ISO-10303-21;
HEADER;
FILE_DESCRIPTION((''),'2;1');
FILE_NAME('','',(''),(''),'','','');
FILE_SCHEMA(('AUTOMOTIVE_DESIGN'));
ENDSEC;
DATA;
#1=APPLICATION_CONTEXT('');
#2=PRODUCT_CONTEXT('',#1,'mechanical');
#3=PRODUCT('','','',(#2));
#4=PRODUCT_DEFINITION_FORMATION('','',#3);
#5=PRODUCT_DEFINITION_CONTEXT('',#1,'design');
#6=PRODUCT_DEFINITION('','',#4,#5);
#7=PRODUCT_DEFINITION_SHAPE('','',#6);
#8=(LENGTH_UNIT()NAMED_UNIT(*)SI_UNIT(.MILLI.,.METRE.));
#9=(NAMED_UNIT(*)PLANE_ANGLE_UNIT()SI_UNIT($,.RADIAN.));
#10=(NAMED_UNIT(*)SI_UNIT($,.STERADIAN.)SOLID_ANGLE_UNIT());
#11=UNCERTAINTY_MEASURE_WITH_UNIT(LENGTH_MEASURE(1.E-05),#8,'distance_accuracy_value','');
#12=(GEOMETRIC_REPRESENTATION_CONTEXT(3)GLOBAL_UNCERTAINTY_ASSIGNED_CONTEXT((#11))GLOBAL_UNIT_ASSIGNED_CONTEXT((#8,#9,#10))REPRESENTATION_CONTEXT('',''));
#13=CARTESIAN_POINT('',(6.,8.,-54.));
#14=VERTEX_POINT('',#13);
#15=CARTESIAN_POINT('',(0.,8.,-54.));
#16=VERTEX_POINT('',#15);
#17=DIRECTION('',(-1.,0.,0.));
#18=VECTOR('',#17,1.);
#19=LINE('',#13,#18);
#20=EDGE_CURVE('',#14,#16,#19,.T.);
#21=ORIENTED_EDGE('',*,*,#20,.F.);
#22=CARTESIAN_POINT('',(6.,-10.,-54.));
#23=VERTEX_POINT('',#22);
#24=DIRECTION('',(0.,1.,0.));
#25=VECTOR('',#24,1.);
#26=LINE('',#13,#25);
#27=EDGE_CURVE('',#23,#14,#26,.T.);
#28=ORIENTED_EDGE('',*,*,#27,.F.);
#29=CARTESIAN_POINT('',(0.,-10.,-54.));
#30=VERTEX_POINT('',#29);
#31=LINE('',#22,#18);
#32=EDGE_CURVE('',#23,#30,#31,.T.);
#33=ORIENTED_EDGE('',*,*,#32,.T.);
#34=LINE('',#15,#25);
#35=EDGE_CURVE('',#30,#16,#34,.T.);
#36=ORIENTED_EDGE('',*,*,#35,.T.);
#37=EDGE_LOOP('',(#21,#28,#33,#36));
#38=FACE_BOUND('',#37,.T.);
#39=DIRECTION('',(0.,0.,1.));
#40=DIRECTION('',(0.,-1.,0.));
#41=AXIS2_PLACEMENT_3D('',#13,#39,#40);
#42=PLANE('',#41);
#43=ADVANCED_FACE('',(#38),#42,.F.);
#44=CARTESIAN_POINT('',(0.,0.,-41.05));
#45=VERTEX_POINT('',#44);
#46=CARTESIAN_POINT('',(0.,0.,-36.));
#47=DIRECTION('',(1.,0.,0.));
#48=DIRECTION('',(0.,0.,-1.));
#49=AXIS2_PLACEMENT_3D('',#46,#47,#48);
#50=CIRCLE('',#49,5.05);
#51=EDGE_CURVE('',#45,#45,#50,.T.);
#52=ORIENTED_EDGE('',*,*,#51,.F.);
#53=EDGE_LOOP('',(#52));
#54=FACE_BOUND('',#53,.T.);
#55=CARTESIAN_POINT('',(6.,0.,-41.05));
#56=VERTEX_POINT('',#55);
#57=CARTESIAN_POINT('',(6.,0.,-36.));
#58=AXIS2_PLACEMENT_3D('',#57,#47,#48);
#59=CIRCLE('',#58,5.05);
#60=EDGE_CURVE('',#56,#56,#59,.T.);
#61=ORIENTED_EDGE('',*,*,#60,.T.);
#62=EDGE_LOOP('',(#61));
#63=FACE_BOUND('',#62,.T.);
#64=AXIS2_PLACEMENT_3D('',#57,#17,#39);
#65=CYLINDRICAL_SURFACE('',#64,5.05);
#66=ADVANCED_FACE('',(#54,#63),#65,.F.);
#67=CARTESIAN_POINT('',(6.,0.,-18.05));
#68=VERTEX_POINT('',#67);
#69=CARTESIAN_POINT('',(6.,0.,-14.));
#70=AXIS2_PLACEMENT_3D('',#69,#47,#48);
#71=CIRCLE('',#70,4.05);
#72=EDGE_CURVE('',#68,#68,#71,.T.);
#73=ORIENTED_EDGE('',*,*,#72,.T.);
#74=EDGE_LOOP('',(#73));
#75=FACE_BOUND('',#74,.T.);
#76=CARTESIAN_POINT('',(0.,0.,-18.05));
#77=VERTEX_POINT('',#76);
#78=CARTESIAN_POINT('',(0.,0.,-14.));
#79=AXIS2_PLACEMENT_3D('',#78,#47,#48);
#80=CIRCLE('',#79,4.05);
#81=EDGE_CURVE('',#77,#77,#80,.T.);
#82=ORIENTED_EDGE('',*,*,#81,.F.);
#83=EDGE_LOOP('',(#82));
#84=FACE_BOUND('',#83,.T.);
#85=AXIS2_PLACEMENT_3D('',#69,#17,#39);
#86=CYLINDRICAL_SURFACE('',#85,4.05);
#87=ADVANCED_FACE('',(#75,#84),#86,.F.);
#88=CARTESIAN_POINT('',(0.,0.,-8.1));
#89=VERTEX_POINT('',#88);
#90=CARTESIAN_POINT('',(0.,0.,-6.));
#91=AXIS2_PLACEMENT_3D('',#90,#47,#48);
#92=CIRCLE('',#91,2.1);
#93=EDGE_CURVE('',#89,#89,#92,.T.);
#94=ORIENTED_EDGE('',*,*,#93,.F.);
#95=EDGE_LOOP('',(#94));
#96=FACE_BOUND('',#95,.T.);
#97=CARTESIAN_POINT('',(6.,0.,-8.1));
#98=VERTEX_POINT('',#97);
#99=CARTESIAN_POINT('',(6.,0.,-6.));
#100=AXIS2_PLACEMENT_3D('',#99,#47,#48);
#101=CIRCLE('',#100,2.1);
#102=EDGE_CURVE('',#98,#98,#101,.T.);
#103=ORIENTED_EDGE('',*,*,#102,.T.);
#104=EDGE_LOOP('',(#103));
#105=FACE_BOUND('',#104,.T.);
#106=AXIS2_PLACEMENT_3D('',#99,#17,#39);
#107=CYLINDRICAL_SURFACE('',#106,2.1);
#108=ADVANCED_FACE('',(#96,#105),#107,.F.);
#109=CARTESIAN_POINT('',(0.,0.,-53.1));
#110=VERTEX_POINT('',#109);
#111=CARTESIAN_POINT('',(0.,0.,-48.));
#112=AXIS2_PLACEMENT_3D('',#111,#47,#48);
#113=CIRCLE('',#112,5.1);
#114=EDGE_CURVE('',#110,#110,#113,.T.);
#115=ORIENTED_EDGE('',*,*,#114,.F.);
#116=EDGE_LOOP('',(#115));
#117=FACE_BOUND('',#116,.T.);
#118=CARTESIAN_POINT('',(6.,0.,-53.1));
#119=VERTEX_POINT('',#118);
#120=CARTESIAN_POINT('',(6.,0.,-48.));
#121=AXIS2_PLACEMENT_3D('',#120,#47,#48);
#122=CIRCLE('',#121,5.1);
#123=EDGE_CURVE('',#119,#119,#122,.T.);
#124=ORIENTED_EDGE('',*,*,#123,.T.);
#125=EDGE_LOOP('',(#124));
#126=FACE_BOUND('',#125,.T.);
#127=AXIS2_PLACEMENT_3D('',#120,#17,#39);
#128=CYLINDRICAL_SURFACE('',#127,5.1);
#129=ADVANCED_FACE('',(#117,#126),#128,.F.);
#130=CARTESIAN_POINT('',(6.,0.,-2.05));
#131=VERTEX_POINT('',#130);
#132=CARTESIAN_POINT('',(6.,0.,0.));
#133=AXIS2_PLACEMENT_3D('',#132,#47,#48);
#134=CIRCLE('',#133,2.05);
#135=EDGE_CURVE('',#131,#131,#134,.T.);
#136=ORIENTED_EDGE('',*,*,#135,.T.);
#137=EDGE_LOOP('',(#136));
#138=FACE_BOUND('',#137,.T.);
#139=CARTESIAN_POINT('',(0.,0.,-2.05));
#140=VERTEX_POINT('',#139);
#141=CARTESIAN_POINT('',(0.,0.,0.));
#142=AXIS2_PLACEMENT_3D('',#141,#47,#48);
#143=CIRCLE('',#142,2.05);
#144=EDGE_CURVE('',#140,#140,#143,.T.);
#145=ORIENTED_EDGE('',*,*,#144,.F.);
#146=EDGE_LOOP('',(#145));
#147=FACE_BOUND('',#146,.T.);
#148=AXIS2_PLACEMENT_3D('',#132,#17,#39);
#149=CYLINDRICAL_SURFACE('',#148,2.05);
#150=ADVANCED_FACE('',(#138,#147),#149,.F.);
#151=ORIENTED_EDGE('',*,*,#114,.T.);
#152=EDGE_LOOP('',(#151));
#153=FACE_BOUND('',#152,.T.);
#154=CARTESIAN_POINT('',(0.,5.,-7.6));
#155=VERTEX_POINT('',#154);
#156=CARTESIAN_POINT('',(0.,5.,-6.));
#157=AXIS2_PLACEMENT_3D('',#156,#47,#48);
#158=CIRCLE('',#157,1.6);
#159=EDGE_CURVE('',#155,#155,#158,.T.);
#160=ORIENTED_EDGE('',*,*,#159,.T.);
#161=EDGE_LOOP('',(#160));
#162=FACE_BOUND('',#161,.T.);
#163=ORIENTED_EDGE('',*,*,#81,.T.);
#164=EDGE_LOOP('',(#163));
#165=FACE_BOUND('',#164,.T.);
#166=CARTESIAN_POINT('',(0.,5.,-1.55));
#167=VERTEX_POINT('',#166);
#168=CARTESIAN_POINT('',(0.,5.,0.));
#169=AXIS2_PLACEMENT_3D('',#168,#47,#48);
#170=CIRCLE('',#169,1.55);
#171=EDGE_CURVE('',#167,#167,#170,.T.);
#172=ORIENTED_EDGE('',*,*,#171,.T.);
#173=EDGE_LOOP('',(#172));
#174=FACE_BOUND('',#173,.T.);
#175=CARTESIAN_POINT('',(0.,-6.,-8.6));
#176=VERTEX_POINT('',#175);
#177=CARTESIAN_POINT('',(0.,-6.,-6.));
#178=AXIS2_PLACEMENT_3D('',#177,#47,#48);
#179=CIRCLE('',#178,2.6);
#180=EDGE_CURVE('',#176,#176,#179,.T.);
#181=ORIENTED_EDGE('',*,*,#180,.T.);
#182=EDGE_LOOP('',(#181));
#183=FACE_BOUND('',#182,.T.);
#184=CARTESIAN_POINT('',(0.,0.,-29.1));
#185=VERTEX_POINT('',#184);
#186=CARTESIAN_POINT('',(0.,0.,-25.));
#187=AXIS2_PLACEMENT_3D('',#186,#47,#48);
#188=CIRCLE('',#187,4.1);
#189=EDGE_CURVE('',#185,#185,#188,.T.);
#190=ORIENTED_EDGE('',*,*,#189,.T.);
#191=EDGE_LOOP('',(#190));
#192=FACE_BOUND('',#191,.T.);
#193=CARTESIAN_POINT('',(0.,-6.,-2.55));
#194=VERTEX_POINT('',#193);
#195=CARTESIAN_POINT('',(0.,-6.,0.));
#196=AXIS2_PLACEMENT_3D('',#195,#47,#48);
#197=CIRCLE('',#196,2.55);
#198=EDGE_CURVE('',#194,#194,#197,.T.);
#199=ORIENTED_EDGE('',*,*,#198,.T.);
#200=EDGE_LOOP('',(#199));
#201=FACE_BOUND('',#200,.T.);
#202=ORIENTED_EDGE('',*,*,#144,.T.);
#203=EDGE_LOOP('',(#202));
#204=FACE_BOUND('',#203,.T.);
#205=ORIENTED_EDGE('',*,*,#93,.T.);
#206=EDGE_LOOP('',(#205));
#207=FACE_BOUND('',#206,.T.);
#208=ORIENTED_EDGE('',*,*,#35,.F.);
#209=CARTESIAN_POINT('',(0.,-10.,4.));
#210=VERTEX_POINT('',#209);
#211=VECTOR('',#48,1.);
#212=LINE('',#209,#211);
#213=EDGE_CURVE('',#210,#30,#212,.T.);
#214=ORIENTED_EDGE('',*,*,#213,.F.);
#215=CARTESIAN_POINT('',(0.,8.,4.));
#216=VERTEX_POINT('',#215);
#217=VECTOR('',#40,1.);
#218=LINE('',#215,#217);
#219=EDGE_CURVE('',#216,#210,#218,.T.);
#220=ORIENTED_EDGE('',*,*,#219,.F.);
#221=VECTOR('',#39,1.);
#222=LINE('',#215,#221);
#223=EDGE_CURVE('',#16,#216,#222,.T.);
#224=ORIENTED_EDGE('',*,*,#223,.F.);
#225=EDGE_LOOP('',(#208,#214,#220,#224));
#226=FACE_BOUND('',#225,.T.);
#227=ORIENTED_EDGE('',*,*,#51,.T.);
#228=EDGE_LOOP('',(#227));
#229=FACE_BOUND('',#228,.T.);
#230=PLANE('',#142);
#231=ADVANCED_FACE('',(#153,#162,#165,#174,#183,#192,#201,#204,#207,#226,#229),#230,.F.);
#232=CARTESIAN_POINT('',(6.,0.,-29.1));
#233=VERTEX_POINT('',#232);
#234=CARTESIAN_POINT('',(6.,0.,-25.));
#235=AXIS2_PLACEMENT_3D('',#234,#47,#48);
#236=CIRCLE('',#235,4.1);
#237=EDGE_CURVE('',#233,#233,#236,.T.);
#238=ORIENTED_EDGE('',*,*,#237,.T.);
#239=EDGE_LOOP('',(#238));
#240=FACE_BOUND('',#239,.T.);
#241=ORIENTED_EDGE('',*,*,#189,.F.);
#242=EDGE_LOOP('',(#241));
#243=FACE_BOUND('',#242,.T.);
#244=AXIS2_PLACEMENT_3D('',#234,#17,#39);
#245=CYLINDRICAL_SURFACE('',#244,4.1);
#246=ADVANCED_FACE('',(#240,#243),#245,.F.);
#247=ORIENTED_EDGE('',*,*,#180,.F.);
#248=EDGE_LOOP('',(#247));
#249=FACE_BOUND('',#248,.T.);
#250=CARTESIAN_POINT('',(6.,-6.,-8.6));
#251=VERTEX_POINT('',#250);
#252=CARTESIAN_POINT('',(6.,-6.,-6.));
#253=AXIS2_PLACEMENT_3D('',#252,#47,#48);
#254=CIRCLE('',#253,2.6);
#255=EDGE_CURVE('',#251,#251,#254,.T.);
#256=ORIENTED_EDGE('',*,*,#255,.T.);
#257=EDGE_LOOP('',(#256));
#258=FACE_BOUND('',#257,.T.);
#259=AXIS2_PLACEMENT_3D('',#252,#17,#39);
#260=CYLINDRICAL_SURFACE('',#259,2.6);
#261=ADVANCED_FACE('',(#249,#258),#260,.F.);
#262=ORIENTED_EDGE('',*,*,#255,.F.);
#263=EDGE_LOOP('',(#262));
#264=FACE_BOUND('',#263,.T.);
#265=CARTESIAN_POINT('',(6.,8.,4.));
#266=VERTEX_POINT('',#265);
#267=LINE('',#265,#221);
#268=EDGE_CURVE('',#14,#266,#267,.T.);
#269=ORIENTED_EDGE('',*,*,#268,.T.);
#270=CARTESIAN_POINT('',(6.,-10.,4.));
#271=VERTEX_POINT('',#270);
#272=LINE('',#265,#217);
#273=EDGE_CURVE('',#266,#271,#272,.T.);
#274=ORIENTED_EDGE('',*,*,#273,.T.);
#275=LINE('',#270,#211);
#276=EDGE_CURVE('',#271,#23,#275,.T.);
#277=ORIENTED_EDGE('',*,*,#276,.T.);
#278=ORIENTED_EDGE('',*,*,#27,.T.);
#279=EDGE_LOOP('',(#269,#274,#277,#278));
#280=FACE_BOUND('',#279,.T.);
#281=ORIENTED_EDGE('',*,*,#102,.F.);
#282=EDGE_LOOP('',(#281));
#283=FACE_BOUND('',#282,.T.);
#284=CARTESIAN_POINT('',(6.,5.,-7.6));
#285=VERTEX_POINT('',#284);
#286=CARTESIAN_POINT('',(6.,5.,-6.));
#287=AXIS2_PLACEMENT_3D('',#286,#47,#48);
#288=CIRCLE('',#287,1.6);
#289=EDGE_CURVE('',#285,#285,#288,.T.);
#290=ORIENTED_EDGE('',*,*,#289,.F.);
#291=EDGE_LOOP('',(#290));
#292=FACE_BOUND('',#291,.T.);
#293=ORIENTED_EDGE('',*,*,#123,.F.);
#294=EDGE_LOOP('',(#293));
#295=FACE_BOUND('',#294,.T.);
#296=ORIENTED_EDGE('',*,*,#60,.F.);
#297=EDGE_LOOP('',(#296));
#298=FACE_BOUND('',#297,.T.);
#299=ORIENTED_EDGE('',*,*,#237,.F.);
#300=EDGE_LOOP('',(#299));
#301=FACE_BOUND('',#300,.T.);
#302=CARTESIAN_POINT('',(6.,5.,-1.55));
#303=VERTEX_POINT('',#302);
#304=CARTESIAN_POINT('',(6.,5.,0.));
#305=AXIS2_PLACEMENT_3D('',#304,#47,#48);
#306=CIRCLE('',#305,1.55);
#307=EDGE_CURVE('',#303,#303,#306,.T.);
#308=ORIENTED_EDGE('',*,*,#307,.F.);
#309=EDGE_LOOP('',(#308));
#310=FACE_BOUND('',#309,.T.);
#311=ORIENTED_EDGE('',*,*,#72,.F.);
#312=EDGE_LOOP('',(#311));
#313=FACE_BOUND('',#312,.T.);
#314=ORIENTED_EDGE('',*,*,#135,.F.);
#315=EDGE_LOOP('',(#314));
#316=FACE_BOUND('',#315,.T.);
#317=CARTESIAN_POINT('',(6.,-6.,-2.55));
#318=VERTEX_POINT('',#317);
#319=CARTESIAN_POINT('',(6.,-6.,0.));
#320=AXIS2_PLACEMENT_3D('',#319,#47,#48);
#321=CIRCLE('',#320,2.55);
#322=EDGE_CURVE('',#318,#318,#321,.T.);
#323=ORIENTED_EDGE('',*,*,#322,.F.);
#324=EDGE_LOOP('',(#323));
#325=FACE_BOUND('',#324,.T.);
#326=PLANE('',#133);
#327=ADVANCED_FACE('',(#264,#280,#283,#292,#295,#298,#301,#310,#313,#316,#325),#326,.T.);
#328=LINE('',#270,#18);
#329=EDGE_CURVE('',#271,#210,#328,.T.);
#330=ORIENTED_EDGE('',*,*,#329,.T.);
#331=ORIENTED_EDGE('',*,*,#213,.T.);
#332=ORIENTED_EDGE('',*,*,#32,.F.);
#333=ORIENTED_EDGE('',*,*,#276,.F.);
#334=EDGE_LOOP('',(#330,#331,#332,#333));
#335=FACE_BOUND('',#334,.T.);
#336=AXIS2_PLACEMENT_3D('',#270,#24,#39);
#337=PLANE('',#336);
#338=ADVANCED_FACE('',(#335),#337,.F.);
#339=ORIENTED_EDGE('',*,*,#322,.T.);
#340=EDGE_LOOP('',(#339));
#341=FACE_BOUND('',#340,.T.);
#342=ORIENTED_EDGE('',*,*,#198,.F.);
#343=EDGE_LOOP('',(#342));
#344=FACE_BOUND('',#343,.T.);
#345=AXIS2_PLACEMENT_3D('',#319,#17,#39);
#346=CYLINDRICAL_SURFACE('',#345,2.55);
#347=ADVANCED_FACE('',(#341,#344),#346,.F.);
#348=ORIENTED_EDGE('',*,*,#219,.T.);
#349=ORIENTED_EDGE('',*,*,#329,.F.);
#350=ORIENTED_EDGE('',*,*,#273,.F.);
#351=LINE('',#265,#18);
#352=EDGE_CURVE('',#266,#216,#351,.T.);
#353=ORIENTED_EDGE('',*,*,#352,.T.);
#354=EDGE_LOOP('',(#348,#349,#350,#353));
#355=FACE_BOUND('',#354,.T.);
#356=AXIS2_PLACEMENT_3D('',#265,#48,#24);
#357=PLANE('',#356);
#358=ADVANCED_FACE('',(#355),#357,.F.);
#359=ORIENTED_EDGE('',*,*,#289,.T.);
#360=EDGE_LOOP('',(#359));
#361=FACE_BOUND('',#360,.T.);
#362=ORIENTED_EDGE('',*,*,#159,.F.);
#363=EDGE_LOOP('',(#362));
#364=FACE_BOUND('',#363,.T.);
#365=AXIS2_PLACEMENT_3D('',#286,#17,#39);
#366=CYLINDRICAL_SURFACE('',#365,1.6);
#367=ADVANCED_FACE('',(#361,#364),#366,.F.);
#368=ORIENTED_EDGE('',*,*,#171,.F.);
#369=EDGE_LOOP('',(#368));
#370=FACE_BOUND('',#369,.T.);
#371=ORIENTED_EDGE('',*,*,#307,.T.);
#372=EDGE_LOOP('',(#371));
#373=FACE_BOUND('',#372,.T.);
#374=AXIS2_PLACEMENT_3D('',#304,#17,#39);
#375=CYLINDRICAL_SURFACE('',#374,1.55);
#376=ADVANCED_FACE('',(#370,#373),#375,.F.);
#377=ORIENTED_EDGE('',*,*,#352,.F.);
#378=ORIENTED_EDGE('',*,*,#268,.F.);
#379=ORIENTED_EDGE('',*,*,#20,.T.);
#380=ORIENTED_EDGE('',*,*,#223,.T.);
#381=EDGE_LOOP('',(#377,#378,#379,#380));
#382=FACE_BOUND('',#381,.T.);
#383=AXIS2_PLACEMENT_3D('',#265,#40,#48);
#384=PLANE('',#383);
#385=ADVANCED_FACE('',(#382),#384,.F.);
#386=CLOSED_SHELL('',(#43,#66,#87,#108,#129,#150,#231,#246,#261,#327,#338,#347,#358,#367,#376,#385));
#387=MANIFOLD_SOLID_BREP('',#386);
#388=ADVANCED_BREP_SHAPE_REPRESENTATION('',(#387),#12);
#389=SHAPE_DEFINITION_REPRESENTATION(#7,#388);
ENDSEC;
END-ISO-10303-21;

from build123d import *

# Parameters (mm, degrees)
SKETCH_1_W      = 58
SKETCH_1_H      = 18
SKETCH_1_R      = 2.05
SKETCH_1_R_2    = 2.1
SKETCH_1_R_3    = 1.55
SKETCH_1_R_4    = 1.6
SKETCH_1_R_5    = 2.55
SKETCH_1_R_6    = 2.6
SKETCH_1_R_7    = 4.05
SKETCH_1_R_8    = 4.1
SKETCH_1_R_9    = 5.05
SKETCH_1_R_10   = 5.1
EXTRUDE_1_DEPTH = 6


with BuildPart() as part:
    # 草图1 → 凸台-拉伸1 (new body)
    with BuildSketch(Plane(origin=(0, 0, 0), x_dir=(0, 0, -1), z_dir=(1, 0, 0))):
        with Locations((25, -1)):
            Rectangle(SKETCH_1_W, SKETCH_1_H)
        Circle(SKETCH_1_R, mode=Mode.SUBTRACT)
        with Locations((6, 0)):
            Circle(SKETCH_1_R_2, mode=Mode.SUBTRACT)
        with Locations((0, 5)):
            Circle(SKETCH_1_R_3, mode=Mode.SUBTRACT)
        with Locations((6, 5)):
            Circle(SKETCH_1_R_4, mode=Mode.SUBTRACT)
        with Locations((0, -6)):
            Circle(SKETCH_1_R_5, mode=Mode.SUBTRACT)
        with Locations((6, -6)):
            Circle(SKETCH_1_R_6, mode=Mode.SUBTRACT)
        with Locations((14, 0)):
            Circle(SKETCH_1_R_7, mode=Mode.SUBTRACT)
        with Locations((25, 0)):
            Circle(SKETCH_1_R_8, mode=Mode.SUBTRACT)
        with Locations((36, 0)):
            Circle(SKETCH_1_R_9, mode=Mode.SUBTRACT)
        with Locations((48, 0)):
            Circle(SKETCH_1_R_10, mode=Mode.SUBTRACT)
    extrude(amount=EXTRUDE_1_DEPTH)


solid = part.part
